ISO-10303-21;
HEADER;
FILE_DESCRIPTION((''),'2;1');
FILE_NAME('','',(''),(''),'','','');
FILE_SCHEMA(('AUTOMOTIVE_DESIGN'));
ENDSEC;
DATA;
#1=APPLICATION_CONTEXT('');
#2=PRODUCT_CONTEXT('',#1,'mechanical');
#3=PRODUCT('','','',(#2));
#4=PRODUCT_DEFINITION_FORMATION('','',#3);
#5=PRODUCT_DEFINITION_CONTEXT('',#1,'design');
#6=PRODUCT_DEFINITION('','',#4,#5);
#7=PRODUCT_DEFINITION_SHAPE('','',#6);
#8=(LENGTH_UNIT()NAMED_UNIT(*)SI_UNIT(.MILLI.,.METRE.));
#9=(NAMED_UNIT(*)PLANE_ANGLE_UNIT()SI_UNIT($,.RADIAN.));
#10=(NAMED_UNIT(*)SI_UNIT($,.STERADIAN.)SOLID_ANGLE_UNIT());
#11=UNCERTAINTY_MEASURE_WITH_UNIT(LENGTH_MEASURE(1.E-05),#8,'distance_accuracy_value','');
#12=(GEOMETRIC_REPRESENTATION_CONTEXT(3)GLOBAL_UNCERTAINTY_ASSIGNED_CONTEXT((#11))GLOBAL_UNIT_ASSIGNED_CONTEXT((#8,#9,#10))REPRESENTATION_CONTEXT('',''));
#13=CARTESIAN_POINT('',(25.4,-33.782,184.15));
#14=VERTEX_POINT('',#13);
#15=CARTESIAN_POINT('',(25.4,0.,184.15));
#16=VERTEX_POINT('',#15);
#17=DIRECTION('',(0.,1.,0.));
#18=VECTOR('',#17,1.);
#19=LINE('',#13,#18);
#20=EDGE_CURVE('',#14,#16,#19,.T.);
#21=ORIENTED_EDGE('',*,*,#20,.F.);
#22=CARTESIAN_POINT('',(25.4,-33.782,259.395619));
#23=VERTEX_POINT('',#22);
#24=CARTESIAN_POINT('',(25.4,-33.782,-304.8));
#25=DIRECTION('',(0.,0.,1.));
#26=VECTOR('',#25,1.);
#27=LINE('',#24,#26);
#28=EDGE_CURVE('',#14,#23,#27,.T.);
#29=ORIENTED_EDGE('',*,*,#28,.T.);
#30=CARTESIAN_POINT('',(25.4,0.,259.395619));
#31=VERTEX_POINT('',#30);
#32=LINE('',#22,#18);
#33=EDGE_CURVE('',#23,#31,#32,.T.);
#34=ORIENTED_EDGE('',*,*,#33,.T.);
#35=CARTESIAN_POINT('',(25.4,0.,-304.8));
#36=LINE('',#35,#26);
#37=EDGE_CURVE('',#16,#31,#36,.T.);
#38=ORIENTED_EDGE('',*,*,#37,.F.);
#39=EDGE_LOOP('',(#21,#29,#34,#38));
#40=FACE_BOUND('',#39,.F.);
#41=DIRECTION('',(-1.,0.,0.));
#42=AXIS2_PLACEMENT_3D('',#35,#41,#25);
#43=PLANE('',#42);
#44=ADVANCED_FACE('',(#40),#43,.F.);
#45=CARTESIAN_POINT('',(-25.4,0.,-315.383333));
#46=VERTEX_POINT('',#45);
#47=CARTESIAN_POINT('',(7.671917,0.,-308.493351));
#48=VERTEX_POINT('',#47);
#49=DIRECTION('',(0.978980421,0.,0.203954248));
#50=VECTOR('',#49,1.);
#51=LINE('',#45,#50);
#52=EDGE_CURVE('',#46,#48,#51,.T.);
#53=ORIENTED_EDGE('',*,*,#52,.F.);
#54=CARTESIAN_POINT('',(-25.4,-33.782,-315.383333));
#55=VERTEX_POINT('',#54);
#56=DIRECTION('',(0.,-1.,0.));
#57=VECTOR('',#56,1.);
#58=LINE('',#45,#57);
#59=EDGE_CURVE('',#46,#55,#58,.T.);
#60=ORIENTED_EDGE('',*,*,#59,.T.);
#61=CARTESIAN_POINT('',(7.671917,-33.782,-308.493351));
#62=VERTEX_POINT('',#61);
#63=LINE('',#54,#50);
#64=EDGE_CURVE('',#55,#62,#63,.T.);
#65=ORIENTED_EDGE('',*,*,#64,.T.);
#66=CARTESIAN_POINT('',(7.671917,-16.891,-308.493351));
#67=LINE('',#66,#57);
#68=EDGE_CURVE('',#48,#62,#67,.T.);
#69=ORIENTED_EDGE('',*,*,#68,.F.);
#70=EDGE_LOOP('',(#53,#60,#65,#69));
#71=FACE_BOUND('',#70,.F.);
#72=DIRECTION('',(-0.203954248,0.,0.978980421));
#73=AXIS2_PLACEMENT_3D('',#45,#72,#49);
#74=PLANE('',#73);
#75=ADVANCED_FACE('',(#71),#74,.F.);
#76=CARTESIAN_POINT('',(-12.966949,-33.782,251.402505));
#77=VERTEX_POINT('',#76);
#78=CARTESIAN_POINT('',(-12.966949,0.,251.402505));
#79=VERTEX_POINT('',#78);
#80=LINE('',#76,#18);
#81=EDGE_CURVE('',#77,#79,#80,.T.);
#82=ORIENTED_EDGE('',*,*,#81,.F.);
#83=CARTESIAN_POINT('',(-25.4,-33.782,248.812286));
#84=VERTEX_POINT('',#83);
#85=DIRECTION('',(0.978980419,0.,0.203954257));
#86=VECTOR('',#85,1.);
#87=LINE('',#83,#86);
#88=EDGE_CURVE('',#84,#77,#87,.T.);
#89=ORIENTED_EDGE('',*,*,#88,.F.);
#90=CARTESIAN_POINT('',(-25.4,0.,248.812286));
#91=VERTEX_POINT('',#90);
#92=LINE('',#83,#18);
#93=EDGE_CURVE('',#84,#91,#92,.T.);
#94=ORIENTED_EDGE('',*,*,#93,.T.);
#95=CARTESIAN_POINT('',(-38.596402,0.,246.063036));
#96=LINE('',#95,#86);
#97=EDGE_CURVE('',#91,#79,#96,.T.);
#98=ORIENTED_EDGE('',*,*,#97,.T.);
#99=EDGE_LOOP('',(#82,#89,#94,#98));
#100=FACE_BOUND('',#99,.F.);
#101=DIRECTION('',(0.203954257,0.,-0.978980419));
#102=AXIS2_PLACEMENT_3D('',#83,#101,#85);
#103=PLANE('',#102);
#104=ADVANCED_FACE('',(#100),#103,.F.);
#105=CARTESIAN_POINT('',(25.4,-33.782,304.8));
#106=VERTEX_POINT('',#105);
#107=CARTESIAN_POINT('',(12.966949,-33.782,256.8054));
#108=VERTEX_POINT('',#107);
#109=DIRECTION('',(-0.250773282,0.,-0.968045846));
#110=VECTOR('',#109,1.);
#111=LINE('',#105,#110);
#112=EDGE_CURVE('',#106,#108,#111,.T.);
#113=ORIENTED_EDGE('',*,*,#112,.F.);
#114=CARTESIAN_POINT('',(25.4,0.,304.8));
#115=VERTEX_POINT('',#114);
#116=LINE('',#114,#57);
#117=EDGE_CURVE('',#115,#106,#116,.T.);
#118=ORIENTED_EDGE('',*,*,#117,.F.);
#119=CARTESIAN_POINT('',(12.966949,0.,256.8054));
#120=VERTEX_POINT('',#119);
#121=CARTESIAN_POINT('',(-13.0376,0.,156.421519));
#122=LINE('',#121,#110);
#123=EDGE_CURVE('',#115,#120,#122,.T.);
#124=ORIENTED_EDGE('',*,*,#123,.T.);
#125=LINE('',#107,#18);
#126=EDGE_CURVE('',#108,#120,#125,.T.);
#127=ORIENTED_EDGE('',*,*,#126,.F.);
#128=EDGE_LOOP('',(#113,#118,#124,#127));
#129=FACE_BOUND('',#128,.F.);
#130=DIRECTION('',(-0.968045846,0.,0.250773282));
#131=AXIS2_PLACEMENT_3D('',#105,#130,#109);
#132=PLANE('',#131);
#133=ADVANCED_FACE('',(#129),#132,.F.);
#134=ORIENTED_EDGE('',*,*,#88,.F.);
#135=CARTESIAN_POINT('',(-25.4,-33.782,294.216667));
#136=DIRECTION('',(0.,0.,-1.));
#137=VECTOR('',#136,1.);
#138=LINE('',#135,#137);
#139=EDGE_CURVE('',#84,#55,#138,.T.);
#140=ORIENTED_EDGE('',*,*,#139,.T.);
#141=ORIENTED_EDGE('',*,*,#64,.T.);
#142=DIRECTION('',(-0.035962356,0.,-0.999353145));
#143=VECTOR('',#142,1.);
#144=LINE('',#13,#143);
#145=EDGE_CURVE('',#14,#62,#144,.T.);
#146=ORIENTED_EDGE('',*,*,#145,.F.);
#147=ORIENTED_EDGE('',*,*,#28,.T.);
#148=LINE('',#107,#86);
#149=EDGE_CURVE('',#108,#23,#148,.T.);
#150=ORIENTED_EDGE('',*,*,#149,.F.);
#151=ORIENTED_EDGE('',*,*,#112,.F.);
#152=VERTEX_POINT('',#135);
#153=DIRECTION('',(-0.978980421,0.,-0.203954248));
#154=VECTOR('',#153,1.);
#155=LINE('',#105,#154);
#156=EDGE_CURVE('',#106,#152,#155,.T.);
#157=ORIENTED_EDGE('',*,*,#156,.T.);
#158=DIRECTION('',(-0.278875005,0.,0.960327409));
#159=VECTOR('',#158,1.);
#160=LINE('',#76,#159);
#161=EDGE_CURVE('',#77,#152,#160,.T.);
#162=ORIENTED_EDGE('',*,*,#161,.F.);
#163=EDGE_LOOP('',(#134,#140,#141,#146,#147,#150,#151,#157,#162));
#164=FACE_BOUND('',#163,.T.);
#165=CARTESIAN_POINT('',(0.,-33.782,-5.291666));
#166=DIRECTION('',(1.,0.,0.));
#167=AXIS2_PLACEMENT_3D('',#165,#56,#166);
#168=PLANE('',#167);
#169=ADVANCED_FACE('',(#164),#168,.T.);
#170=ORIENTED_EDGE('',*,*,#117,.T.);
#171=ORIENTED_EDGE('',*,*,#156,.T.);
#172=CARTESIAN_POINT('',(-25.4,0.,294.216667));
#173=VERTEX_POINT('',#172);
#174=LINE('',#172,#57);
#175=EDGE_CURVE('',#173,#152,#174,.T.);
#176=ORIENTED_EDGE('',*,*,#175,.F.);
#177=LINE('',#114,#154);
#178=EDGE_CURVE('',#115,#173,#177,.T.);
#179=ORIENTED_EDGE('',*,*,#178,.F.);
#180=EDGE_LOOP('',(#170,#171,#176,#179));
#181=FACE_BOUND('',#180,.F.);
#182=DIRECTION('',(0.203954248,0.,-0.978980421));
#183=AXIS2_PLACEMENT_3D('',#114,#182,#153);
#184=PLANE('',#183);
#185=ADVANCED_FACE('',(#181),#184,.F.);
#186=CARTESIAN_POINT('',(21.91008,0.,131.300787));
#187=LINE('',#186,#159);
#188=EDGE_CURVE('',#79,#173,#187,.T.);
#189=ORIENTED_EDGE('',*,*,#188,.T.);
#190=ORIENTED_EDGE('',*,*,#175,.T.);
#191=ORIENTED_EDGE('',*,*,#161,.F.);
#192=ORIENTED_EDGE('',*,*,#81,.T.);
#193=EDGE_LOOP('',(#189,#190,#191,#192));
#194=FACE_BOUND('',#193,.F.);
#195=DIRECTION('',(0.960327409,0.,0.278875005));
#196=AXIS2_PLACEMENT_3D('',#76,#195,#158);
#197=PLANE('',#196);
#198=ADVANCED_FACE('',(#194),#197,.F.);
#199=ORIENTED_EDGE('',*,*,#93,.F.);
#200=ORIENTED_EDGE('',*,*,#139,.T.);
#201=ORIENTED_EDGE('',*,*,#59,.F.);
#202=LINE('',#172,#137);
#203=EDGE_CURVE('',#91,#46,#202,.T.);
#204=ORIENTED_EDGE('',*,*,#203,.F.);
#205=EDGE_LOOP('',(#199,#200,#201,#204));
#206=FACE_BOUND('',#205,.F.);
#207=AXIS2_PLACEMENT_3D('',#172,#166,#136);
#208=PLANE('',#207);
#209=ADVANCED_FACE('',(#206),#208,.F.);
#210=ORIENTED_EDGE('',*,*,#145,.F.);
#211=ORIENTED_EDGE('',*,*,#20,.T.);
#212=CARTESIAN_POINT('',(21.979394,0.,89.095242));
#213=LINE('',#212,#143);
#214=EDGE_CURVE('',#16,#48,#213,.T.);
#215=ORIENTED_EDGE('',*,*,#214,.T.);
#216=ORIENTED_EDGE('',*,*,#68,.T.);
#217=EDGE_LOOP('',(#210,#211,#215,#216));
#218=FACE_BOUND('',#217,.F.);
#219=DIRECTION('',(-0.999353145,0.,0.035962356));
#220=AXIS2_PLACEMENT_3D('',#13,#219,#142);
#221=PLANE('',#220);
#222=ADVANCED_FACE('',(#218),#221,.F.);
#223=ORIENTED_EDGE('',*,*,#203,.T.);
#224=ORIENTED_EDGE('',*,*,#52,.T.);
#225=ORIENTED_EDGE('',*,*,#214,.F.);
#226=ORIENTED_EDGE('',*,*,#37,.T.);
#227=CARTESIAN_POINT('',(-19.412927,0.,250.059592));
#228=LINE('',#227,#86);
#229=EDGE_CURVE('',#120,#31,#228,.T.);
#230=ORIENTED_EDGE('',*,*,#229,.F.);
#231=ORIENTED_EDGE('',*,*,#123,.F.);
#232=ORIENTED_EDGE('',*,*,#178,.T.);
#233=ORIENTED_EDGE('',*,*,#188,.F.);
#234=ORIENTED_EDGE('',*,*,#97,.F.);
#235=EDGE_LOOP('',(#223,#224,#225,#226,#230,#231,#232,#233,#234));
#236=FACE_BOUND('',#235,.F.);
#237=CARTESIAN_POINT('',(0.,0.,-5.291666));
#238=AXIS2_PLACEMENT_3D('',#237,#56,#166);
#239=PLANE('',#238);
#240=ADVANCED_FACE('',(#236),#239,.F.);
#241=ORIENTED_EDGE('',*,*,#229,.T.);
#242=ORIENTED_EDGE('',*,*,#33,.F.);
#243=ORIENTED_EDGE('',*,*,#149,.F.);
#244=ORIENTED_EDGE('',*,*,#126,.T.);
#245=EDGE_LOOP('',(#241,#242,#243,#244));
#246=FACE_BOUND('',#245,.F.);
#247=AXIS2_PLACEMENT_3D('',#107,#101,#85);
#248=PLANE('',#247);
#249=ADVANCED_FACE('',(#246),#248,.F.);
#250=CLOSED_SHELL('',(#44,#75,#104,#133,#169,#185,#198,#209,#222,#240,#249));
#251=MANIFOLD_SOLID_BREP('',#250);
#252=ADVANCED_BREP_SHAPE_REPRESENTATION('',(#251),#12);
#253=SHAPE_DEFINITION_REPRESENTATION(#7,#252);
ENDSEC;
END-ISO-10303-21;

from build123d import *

# Parameters (mm, degrees)
F1_DEPTH = 33.782
F3_DEPTH = 33.783
F5_DEPTH = 33.783


with BuildPart() as f1:
    # F0 (on Front) → F1 (new body)
    with BuildSketch(Plane.XZ):
        Polygon((25.4, -304.8), (25.4, 304.8), (-25.4, 294.216667), (-25.4, -315.383333), align=None)
    extrude(amount=F1_DEPTH)

    # F2 (on face) → F3 (cut, through all)
    with BuildSketch(Plane.XZ.offset(33.782)):
        Polygon((25.4, 184.15), (7.671917, -308.493351), (25.4, -304.8), align=None)
    extrude(amount=-F3_DEPTH, mode=Mode.SUBTRACT)

    # F4 (on face) → F5 (cut, through all)
    with BuildSketch(Plane.XZ.offset(33.782)):
        Polygon((-25.4, 294.216667), (-25.4, 248.812286), (-12.966949, 251.402505), align=None)
        Polygon((25.4, 259.395619), (25.4, 304.8), (12.966949, 256.8054), align=None)
    extrude(amount=-F5_DEPTH, mode=Mode.SUBTRACT)


solid = f1.part
